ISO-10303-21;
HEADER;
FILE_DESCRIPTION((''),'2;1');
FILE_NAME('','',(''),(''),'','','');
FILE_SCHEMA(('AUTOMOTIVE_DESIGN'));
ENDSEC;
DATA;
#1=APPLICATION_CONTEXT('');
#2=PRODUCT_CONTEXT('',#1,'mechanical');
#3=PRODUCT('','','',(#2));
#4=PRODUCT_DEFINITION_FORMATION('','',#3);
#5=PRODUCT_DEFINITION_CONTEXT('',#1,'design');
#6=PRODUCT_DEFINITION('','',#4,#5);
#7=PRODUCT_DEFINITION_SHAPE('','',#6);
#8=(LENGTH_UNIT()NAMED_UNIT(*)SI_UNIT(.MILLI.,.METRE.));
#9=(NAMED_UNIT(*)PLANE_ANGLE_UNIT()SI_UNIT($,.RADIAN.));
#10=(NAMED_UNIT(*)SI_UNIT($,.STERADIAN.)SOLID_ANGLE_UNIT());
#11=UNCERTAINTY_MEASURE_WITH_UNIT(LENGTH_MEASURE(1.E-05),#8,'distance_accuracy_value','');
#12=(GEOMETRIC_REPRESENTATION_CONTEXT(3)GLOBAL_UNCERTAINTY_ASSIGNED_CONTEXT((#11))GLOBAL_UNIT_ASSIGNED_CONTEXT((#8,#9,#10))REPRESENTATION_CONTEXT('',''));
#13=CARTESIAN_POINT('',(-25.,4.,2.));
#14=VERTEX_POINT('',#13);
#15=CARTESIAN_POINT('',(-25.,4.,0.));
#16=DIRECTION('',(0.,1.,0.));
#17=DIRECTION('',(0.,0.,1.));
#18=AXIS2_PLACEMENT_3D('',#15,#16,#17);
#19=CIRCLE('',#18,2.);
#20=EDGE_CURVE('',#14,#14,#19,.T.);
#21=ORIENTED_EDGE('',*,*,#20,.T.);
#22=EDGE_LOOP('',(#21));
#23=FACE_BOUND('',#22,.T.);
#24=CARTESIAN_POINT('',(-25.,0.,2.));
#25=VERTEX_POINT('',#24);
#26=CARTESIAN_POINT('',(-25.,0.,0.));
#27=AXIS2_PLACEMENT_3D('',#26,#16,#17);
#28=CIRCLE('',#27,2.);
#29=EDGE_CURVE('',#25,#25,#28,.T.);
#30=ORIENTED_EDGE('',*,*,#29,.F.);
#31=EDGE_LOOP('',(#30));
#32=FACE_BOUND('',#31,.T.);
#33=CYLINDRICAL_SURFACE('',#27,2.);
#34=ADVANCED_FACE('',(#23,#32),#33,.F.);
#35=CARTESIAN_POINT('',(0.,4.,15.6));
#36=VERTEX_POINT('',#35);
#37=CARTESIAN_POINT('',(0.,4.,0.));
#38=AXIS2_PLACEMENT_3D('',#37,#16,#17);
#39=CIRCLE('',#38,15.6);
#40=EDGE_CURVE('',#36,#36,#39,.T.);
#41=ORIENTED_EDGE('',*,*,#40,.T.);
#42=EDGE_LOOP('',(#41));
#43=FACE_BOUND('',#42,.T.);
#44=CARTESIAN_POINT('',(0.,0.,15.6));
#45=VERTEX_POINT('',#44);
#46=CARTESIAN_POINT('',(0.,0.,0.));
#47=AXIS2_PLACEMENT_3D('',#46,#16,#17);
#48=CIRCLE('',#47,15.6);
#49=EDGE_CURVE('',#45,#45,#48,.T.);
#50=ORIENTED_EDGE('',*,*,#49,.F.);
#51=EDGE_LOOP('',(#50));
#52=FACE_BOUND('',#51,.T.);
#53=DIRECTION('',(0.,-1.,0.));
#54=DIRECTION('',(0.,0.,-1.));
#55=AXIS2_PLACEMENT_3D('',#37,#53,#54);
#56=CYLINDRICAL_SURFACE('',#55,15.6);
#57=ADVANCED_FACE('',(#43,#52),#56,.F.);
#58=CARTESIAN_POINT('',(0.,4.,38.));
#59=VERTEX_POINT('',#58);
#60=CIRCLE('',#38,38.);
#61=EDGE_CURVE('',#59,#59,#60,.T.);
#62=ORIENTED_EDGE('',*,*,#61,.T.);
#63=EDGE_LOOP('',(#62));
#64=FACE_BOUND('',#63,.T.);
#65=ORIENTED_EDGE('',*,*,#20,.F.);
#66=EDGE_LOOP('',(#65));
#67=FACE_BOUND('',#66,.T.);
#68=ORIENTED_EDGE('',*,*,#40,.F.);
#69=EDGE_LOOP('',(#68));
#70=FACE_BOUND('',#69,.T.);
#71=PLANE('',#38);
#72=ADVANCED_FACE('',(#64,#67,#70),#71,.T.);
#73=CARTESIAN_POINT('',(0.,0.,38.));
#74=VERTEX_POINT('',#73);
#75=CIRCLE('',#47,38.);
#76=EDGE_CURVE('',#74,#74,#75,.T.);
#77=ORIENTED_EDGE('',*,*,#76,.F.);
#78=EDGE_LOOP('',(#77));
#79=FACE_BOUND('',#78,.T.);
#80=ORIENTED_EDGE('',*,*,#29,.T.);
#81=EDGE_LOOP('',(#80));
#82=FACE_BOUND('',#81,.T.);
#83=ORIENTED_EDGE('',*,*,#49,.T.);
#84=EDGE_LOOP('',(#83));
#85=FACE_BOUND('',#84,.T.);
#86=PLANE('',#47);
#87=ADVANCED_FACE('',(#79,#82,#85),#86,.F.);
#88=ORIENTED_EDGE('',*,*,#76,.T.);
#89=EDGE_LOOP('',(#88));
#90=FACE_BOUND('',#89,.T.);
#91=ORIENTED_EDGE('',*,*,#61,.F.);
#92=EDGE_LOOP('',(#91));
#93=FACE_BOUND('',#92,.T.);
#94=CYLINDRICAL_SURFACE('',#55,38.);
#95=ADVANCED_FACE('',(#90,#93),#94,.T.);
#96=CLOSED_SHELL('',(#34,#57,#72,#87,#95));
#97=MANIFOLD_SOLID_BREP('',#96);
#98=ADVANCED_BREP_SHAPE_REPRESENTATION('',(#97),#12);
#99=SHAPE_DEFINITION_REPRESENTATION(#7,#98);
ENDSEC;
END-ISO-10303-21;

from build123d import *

# Parameters (mm, degrees)
SKETCH1_R           = 38
SKETCH1_R_2         = 15.6
BOSS_EXTRUDE1_DEPTH = 4
SKETCH2_R           = 2
CUT_EXTRUDE1_DEPTH  = 54.888774341


with BuildPart() as part:
    # Sketch1 → Boss-Extrude1 (new body)
    with BuildSketch(Plane(origin=(0, 0, 0), x_dir=(1, 0, 0), z_dir=(0, 1, 0))):
        with Locations(Location((0, 0, 0), (0, 0, 270))):
            Circle(SKETCH1_R)
        with Locations(Location((0, 0, 0), (0, 0, 270))):
            Circle(SKETCH1_R_2, mode=Mode.SUBTRACT)
    extrude(amount=BOSS_EXTRUDE1_DEPTH)

    # Sketch2 → Cut-Extrude1 (cut, through all)
    with BuildSketch(Plane(origin=(0, 4, 0), x_dir=(1, 0, 0), z_dir=(0, 1, 0))):
        with Locations(Location((-25, 0, 0), (0, 0, 270))):
            Circle(SKETCH2_R)
    extrude(amount=-CUT_EXTRUDE1_DEPTH, mode=Mode.SUBTRACT)


solid = part.part
